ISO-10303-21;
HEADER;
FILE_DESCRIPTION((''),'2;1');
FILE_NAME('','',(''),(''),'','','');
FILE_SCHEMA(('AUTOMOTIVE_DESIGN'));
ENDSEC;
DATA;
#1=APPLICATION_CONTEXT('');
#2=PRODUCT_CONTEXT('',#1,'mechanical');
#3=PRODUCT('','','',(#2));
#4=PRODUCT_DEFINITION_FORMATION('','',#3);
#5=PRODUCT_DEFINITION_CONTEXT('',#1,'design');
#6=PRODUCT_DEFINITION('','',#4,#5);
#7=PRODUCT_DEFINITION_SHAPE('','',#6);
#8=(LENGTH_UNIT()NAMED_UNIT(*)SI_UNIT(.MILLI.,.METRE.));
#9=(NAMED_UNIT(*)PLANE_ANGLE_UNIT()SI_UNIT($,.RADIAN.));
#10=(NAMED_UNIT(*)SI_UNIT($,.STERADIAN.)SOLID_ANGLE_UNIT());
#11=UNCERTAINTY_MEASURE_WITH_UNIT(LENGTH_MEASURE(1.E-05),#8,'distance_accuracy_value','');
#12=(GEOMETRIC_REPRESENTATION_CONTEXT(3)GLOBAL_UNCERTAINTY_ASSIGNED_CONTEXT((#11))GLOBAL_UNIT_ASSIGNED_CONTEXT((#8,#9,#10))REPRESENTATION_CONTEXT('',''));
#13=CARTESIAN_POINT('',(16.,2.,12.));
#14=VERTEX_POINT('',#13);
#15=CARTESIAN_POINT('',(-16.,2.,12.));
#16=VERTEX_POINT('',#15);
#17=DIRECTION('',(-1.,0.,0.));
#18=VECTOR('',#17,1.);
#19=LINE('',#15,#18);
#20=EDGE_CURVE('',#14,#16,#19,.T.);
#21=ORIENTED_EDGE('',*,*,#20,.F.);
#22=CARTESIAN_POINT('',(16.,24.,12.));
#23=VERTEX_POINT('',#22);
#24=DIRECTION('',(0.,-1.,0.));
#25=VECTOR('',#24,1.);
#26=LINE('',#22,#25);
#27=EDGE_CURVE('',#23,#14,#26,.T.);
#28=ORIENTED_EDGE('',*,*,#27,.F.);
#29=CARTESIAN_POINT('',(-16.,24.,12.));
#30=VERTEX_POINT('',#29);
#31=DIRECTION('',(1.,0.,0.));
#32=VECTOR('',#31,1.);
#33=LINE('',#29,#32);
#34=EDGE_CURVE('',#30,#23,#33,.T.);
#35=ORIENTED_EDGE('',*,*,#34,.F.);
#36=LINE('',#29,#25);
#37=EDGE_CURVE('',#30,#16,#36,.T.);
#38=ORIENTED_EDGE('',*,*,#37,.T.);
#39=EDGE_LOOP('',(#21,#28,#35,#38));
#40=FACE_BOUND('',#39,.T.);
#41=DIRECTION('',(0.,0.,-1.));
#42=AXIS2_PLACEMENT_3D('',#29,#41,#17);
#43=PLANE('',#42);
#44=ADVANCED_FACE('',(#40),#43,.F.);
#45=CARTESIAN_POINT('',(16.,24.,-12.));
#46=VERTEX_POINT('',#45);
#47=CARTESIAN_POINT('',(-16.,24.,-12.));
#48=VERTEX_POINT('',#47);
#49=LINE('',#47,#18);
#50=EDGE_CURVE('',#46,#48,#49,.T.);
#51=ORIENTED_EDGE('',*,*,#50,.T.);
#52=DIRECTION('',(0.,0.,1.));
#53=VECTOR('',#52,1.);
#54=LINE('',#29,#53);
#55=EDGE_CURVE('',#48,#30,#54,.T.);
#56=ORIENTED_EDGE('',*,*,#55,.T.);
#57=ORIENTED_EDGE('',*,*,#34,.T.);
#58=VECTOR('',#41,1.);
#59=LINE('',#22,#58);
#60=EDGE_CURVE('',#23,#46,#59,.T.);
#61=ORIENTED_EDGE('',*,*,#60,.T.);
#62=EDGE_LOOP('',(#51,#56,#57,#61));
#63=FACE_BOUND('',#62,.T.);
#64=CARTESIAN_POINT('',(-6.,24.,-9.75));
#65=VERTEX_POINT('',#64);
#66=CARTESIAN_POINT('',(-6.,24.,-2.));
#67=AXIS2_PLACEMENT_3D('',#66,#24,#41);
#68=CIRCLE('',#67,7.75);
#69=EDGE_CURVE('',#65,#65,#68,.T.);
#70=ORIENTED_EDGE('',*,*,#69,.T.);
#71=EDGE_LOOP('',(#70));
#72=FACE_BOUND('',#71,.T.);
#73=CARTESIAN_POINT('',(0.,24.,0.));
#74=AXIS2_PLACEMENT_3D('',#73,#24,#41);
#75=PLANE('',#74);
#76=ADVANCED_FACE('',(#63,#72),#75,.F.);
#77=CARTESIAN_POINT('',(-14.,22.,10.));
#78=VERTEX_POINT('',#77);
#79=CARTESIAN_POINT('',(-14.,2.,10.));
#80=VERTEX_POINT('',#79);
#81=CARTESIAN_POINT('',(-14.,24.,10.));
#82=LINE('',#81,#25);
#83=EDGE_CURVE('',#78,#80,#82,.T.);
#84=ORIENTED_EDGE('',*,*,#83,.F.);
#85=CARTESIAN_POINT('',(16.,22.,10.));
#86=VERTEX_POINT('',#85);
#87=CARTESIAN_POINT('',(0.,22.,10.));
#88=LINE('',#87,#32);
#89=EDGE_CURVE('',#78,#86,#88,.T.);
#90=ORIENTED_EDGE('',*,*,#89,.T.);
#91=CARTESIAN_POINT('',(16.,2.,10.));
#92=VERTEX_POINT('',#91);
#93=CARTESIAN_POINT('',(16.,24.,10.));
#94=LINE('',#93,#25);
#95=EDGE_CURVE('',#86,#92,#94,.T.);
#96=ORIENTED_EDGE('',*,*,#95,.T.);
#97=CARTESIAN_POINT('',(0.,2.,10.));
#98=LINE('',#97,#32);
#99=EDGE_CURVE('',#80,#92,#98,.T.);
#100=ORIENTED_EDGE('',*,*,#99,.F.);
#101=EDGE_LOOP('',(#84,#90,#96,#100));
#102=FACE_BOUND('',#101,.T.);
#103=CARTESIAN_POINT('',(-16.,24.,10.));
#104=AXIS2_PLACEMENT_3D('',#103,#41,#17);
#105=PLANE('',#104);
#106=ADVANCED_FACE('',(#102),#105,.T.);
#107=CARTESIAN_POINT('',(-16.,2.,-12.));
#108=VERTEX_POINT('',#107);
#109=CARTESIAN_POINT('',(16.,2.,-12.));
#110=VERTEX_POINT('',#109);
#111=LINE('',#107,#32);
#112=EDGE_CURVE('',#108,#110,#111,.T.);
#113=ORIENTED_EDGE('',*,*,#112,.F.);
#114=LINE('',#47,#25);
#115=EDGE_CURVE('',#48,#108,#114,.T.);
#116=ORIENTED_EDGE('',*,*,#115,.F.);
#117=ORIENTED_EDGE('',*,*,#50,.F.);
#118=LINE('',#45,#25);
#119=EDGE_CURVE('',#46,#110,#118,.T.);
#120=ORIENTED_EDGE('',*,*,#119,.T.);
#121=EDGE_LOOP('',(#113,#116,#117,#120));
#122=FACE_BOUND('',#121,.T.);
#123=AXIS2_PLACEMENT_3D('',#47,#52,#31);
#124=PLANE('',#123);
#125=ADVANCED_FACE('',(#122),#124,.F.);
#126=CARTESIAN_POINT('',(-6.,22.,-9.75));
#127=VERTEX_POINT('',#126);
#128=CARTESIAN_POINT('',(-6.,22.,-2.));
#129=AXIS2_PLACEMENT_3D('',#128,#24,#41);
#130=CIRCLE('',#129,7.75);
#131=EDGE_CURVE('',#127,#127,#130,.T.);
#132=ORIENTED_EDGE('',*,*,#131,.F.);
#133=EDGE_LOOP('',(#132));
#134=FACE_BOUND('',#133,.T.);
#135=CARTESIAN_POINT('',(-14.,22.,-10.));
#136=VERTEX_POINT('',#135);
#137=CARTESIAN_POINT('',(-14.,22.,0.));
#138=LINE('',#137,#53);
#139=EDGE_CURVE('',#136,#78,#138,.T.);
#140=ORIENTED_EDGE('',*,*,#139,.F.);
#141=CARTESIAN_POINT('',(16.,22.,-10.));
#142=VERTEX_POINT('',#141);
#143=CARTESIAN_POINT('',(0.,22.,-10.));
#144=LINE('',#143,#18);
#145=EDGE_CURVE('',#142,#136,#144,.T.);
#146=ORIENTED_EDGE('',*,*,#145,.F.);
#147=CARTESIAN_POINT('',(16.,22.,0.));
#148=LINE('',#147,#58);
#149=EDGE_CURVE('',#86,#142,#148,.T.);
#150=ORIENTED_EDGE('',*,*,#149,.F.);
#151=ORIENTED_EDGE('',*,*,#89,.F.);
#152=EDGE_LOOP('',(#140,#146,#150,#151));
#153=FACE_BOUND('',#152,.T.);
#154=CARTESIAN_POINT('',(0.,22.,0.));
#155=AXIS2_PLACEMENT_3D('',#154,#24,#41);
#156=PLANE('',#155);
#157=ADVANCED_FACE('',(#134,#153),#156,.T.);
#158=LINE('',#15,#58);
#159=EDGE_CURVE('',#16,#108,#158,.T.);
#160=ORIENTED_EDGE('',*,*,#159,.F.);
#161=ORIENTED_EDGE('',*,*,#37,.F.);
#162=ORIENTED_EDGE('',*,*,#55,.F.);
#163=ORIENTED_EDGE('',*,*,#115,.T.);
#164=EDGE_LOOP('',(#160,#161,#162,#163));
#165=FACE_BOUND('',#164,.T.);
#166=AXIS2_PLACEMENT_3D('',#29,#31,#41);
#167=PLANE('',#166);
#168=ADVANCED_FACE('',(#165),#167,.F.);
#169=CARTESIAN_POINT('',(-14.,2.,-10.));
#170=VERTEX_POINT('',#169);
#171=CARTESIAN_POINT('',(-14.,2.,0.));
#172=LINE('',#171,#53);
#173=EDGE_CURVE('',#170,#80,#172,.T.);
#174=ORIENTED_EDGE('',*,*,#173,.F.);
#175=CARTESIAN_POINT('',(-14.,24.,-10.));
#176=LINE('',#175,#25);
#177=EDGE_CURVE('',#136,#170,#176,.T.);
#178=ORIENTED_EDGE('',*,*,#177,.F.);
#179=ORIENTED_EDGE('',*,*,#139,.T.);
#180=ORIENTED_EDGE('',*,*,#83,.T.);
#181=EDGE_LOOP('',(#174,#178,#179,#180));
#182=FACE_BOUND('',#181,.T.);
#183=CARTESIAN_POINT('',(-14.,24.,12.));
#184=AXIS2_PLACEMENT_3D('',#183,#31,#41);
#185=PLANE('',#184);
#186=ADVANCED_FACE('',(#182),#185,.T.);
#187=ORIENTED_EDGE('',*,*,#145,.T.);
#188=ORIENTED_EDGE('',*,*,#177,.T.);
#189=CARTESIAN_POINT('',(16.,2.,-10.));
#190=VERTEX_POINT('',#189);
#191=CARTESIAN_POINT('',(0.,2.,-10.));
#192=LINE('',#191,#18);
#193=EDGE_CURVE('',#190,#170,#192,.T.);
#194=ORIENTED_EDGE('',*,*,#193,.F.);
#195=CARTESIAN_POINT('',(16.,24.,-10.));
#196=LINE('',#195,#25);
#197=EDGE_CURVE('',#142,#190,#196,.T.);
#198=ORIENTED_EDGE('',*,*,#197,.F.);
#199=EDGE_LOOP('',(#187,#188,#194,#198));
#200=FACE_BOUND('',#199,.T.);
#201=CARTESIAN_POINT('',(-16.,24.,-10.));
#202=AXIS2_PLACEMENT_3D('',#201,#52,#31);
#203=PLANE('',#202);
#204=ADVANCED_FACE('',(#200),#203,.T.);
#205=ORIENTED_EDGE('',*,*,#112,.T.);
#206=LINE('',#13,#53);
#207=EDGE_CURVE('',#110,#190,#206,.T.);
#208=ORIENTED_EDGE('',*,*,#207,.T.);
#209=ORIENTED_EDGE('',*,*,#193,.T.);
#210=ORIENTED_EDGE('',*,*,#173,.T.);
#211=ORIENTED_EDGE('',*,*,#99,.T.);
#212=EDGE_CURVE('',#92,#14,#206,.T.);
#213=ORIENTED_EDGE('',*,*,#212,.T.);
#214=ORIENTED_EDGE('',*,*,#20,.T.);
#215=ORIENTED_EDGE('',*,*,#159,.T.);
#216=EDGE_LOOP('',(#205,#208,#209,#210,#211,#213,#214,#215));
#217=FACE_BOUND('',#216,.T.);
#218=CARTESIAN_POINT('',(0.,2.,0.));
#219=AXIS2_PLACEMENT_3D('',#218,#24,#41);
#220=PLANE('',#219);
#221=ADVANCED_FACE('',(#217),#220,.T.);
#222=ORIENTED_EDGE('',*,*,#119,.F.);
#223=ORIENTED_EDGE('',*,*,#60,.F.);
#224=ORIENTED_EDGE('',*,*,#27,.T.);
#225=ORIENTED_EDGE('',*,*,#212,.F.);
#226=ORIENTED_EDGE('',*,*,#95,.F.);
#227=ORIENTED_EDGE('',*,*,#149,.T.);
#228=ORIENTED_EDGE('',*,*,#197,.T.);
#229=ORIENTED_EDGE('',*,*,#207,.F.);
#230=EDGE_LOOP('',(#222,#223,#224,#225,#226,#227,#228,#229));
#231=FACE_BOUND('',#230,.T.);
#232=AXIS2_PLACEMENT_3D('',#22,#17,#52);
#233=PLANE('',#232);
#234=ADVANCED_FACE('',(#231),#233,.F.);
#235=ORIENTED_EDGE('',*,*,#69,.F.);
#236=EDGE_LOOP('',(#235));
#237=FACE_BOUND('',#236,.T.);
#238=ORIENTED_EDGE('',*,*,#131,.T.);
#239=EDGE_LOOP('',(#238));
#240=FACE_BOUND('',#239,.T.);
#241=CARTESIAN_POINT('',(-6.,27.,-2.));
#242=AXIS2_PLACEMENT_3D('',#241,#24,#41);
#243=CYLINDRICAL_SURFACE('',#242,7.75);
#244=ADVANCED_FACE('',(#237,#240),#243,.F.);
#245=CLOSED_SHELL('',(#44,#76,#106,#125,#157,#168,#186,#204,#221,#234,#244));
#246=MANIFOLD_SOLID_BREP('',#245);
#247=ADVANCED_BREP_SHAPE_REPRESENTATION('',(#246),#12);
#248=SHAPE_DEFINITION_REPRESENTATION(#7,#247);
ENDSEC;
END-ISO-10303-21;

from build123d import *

# Parameters (mm, degrees)
CROQUIS1_W              = 32
CROQUIS1_H              = 24
SALIENTE_EXTRUIR1_DEPTH = 24
VACIADO1_T              = -2
CROQUIS2_R              = 7.75
CORTAR_EXTRUIR1_DEPTH   = 5
CROQUIS3_W              = 32
CROQUIS3_H              = 24
CORTAR_EXTRUIR2_DEPTH   = 2


with BuildPart() as part:
    # Croquis1 → Saliente-Extruir1 (new body)
    with BuildSketch(Plane(origin=(0, 0, 0), x_dir=(1, 0, 0), z_dir=(0, 1, 0))):
        Rectangle(CROQUIS1_W, CROQUIS1_H)
    extrude(amount=SALIENTE_EXTRUIR1_DEPTH)

    # Vaciado1
    vaciado1_openings = [part.faces().sort_by_distance(p)[0] for p in [
        (16, 12, 0),
    ]]
    offset(amount=VACIADO1_T, openings=vaciado1_openings, kind=Kind.INTERSECTION)

    # Croquis2 → Cortar-Extruir1 (cut)
    with BuildSketch(Plane(origin=(0, 22, 0), x_dir=(-1, 0, 0), z_dir=(0, -1, 0))):
        with Locations(Location((6, 2, 0), (0, 0, 90))):
            Circle(CROQUIS2_R)
    extrude(amount=-CORTAR_EXTRUIR1_DEPTH, mode=Mode.SUBTRACT)

    # Croquis3 → Cortar-Extruir2 (cut)
    with BuildSketch(Plane(origin=(0, 0, 0), x_dir=(-1, 0, 0), z_dir=(0, -1, 0))):
        Rectangle(CROQUIS3_W, CROQUIS3_H)
    extrude(amount=-CORTAR_EXTRUIR2_DEPTH, mode=Mode.SUBTRACT)


solid = part.part
